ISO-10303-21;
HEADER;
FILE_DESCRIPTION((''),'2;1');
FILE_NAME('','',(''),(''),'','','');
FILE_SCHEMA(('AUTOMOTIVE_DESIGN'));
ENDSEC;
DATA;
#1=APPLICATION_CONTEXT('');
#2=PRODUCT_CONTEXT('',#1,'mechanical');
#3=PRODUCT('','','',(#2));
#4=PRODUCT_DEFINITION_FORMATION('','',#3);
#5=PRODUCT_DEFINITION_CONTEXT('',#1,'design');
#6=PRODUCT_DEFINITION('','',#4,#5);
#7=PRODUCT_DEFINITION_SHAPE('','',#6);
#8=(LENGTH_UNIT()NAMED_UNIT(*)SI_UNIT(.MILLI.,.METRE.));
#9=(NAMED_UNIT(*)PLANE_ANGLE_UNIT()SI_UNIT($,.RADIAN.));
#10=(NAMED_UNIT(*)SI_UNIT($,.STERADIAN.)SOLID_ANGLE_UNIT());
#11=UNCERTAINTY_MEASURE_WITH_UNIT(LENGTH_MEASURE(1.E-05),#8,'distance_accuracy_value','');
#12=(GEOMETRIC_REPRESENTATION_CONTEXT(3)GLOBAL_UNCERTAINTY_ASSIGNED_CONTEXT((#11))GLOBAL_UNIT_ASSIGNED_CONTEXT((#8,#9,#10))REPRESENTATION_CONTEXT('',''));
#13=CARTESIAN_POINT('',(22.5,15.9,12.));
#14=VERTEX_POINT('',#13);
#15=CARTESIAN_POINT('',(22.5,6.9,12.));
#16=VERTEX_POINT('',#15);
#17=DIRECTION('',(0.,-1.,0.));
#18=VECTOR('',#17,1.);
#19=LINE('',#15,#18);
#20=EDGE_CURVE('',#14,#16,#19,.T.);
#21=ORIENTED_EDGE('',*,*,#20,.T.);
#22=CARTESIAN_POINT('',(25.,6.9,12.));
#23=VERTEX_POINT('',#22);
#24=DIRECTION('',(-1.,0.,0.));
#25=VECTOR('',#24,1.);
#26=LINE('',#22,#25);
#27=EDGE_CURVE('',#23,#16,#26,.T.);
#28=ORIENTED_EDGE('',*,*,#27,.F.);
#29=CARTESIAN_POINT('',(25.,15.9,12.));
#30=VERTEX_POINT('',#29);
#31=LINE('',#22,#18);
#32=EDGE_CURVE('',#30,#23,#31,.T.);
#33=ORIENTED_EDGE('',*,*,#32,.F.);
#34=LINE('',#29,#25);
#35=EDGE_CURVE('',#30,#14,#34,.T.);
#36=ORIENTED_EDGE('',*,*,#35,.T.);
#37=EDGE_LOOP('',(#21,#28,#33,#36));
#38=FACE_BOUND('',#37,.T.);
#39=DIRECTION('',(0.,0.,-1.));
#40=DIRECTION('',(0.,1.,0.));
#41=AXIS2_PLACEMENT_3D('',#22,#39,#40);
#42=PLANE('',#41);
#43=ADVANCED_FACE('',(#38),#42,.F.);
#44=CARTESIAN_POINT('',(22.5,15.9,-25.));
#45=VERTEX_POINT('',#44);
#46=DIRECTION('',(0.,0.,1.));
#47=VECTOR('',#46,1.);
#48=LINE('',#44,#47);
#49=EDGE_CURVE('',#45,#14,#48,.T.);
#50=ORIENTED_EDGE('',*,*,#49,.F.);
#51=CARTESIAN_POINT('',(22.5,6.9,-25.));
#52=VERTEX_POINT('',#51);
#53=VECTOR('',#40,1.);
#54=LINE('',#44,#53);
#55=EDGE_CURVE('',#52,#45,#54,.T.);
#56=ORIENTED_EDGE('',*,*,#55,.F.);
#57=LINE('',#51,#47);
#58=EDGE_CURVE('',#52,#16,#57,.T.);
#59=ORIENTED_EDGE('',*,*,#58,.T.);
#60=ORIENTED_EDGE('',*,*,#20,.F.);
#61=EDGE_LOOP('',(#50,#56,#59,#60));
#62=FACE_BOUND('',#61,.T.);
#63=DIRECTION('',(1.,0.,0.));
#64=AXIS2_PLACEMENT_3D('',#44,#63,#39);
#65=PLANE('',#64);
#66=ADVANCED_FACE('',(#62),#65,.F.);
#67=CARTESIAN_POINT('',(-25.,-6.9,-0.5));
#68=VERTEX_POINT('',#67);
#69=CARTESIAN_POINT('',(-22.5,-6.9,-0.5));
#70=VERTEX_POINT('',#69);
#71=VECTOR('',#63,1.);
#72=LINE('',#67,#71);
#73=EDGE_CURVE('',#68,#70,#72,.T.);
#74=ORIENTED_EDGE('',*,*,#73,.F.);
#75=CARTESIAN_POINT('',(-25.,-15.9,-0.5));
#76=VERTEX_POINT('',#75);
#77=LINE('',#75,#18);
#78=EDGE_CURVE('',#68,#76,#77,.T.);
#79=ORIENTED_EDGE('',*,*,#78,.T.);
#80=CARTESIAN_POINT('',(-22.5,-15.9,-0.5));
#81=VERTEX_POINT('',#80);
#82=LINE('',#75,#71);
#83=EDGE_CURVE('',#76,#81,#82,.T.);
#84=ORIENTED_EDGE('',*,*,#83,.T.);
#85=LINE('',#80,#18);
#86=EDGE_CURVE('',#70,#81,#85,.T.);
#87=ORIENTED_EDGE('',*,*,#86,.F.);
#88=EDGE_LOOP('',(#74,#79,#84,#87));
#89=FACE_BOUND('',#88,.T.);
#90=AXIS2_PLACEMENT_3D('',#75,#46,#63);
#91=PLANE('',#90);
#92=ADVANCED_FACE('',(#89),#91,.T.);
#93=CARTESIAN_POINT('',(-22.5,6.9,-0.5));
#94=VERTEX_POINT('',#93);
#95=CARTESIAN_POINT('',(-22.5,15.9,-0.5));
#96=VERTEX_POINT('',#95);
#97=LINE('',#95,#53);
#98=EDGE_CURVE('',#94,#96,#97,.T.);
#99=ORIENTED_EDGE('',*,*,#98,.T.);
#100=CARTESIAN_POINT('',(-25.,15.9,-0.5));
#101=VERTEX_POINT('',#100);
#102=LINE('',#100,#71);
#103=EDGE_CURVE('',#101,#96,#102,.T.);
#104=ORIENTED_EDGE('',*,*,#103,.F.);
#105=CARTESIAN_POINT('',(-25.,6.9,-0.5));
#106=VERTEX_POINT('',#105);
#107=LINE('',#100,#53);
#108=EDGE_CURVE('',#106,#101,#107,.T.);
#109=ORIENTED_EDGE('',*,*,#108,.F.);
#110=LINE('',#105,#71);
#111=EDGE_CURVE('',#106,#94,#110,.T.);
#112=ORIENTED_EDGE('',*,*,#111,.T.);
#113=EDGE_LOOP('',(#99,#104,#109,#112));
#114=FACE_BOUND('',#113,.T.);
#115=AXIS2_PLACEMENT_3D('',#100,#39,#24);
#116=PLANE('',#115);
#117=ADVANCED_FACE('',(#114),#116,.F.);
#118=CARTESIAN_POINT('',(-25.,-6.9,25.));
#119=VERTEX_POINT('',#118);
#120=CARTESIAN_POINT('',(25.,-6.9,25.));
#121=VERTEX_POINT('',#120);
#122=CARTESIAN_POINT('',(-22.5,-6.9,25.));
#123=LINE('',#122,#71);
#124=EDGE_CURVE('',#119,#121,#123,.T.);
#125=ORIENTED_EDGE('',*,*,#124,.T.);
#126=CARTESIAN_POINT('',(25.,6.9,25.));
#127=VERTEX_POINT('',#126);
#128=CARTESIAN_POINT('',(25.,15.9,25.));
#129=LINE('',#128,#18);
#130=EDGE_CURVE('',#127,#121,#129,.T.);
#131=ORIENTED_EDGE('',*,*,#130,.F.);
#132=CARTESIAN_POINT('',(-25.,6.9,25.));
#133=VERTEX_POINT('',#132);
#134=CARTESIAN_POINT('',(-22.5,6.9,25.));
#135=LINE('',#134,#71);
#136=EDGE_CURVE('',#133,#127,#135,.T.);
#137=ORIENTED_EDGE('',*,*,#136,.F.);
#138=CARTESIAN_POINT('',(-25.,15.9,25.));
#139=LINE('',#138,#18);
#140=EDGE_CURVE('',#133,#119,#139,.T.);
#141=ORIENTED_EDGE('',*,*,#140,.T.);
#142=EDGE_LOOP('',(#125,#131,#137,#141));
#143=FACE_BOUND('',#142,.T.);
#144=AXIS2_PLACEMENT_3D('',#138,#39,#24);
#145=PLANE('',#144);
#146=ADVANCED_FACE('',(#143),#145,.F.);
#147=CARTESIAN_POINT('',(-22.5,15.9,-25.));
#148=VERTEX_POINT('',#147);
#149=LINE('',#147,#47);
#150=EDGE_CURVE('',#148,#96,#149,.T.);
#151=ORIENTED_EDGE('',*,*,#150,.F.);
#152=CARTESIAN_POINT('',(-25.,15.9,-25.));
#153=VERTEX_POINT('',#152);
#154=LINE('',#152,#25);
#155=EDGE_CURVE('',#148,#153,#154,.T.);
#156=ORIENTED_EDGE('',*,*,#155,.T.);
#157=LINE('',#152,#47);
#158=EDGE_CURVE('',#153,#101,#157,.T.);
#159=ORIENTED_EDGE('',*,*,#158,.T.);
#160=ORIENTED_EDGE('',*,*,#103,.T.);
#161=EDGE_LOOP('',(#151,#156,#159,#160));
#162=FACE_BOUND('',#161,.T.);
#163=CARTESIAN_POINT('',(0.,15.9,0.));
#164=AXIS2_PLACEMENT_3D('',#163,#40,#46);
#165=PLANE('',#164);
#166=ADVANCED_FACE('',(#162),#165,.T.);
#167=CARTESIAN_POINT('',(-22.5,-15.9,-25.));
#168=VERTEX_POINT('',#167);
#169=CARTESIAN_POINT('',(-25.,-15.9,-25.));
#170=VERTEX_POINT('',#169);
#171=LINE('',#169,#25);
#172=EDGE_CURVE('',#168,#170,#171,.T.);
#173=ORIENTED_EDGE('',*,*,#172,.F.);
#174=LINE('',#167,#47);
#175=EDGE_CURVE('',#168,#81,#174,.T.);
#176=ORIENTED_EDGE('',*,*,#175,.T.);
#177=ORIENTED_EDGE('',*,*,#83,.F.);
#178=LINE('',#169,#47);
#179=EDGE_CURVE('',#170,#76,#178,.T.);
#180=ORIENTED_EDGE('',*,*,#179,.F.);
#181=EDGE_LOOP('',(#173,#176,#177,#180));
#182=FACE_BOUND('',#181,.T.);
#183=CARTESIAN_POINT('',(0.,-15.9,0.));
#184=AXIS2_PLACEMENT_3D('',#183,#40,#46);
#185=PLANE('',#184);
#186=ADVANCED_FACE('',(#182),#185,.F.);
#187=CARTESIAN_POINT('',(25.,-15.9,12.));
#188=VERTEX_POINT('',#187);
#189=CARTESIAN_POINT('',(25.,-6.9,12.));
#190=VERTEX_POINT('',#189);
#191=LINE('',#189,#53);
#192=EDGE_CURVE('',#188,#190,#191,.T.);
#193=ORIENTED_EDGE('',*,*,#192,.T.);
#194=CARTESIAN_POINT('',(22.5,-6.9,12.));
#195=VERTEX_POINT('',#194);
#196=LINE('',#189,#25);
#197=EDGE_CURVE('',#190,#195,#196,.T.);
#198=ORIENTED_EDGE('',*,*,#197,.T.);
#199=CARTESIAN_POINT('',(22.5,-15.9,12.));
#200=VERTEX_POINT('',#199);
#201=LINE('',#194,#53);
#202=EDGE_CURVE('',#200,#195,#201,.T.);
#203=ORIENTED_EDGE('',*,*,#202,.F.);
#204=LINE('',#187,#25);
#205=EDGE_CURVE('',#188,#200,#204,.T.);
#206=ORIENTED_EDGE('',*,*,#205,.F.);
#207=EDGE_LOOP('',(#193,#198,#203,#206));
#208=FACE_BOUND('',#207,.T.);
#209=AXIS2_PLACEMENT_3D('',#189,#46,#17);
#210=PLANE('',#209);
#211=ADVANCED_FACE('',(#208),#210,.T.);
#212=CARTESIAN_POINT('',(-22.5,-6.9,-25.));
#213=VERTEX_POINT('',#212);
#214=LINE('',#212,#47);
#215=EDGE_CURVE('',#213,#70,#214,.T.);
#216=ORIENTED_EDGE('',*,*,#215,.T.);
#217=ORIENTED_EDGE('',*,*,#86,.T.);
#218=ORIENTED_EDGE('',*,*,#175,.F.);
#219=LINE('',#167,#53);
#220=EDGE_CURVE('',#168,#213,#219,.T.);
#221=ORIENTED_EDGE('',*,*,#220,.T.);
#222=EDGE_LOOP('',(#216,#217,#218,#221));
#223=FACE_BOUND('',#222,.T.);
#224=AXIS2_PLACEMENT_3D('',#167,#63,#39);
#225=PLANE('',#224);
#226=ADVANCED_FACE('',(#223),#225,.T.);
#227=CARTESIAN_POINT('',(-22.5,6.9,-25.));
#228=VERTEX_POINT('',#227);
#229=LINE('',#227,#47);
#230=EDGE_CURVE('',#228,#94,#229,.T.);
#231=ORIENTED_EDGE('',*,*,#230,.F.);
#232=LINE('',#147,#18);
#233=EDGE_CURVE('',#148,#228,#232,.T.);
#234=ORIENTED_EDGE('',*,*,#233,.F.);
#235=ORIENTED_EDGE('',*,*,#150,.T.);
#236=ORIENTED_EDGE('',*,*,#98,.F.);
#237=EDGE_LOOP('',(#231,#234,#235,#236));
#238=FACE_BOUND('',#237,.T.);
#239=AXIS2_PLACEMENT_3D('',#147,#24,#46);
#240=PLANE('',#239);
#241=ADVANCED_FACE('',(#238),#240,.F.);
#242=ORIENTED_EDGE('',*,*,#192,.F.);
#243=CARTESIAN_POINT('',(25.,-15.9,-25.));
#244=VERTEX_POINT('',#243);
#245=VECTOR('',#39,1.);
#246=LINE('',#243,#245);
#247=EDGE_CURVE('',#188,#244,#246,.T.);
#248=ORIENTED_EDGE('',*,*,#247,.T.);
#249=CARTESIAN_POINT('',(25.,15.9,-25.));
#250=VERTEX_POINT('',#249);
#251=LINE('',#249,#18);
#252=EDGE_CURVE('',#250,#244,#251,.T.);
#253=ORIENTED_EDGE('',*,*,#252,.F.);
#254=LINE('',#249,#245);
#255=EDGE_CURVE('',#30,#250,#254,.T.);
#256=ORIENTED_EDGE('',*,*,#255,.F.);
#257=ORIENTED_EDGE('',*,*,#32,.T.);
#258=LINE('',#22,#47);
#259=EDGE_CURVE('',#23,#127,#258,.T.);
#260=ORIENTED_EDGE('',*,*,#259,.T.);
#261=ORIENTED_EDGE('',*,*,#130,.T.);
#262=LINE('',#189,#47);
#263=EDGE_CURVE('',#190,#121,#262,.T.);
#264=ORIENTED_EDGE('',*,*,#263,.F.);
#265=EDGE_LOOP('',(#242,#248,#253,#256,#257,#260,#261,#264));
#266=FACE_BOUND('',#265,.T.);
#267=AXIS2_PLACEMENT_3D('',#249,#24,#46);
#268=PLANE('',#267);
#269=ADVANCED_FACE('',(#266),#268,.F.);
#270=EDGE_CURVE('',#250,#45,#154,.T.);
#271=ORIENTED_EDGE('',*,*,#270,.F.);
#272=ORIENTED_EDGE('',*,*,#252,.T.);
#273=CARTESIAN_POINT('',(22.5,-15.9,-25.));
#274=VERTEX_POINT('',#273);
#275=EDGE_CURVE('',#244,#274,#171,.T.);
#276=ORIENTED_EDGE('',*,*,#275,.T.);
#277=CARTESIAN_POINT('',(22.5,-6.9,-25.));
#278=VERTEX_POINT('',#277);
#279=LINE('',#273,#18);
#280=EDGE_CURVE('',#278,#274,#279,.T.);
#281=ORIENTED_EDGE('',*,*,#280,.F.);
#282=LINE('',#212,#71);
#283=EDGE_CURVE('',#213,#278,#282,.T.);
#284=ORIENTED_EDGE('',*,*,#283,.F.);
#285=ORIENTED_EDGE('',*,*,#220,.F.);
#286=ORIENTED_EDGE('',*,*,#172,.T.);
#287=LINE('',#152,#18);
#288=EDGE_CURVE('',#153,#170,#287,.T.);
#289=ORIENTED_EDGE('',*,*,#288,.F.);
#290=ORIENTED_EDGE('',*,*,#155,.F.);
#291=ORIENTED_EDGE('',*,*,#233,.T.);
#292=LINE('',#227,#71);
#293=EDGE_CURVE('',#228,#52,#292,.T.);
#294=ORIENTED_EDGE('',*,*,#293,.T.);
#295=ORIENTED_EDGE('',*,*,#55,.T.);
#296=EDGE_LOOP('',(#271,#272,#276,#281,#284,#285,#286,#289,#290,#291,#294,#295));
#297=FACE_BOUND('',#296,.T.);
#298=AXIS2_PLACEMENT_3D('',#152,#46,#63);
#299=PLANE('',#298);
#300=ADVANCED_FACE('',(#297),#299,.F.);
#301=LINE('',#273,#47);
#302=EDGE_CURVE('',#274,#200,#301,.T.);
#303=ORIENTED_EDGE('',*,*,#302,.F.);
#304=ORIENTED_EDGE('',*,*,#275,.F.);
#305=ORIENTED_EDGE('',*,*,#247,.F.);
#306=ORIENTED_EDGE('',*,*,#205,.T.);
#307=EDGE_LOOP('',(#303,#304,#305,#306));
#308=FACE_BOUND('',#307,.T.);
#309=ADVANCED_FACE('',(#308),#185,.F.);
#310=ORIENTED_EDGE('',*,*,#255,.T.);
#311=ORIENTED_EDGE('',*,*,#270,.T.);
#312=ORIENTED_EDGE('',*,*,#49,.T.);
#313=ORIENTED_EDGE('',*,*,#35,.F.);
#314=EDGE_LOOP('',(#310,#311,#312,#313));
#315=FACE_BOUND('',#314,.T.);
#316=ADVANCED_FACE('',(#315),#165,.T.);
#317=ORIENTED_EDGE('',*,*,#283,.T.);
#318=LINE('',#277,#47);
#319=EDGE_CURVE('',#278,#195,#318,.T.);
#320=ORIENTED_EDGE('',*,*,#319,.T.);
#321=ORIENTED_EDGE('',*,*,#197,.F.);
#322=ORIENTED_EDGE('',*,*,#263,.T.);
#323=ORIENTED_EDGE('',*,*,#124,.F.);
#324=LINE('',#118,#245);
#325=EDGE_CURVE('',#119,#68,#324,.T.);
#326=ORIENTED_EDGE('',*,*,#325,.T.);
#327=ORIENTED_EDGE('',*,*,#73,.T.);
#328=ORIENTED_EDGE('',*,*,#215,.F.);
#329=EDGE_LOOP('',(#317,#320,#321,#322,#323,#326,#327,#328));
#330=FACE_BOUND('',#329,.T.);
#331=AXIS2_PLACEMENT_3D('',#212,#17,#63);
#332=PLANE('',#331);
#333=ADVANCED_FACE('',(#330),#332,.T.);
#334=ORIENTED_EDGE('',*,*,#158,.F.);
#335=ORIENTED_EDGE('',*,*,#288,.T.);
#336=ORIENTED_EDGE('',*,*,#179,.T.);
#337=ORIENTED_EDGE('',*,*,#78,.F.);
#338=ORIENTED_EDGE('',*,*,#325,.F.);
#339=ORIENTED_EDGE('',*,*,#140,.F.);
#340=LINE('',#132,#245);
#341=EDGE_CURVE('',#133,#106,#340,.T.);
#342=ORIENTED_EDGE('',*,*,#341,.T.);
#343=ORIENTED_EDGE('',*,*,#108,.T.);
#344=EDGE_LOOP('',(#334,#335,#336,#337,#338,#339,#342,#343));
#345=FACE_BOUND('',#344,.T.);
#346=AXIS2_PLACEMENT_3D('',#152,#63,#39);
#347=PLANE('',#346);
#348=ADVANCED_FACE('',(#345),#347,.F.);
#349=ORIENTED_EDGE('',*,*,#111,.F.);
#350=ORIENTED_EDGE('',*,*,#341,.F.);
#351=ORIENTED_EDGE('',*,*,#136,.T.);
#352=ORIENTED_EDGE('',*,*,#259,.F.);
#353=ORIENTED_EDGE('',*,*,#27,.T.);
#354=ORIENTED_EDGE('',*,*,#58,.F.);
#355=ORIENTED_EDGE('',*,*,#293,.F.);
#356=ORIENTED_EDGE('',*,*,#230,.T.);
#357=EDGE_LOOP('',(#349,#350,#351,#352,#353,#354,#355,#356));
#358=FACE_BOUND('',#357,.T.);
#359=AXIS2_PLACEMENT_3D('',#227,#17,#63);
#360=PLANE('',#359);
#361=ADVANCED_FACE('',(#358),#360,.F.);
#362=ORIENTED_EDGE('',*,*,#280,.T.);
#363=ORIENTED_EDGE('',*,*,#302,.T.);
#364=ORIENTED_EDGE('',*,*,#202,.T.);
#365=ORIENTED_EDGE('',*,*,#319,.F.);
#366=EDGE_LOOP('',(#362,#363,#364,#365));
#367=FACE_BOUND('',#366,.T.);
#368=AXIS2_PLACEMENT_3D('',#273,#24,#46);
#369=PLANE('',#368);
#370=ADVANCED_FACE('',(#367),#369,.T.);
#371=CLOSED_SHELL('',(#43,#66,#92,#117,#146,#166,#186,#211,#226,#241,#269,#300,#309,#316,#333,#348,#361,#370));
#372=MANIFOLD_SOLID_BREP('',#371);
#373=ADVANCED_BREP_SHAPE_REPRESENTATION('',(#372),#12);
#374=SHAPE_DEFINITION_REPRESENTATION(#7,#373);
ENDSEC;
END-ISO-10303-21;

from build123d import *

# Parameters (mm, degrees)
SKETCH1_W           = 50
SKETCH1_H           = 50
BOSS_EXTRUDE1_DEPTH = 15.9
SKETCH2_W           = 45
SKETCH2_H           = 9
CUT_EXTRUDE1_DEPTH  = 59.118929791
SKETCH3_W           = 13
SKETCH3_H           = 9
CUT_EXTRUDE2_DEPTH  = 56.982675892
SKETCH4_W           = 25.5
SKETCH4_H           = 9
CUT_EXTRUDE3_DEPTH  = 56.982675892


with BuildPart() as part:
    # Sketch1 → Boss-Extrude1 (new, symmetric)
    with BuildSketch(Plane(origin=(0, 0, 0), x_dir=(1, 0, 0), z_dir=(0, 1, 0))):
        Rectangle(SKETCH1_W, SKETCH1_H)
    extrude(amount=BOSS_EXTRUDE1_DEPTH, both=True)

    # Sketch2 → Cut-Extrude1 (cut, through all)
    with BuildSketch(Plane.XY.offset(25)):
        with Locations((0, 11.4)):
            Rectangle(SKETCH2_W, SKETCH2_H)
    cut_extrude1 = extrude(amount=-CUT_EXTRUDE1_DEPTH, mode=Mode.SUBTRACT)

    # Sketch3 → Cut-Extrude2 (cut, through all)
    with BuildSketch(Plane.ZY.offset(-22.5)):
        with Locations((18.5, 11.4)):
            Rectangle(SKETCH3_W, SKETCH3_H)
    cut_extrude2 = extrude(amount=-CUT_EXTRUDE2_DEPTH, mode=Mode.SUBTRACT)

    # Sketch4 → Cut-Extrude3 (cut, through all)
    with BuildSketch(Plane(origin=(-22.5, 0, 0), x_dir=(0, 0, -1), z_dir=(1, 0, 0))):
        with Locations((-12.25, 11.4)):
            Rectangle(SKETCH4_W, SKETCH4_H)
    cut_extrude3 = extrude(amount=-CUT_EXTRUDE3_DEPTH, mode=Mode.SUBTRACT)

    # Mirror1: Cut-Extrude1, Cut-Extrude2, Cut-Extrude3 across plane
    add(cut_extrude1.mirror(Plane.ZX), mode=Mode.SUBTRACT)
    add(cut_extrude2.mirror(Plane.ZX), mode=Mode.SUBTRACT)
    add(cut_extrude3.mirror(Plane.ZX), mode=Mode.SUBTRACT)


solid = part.part
